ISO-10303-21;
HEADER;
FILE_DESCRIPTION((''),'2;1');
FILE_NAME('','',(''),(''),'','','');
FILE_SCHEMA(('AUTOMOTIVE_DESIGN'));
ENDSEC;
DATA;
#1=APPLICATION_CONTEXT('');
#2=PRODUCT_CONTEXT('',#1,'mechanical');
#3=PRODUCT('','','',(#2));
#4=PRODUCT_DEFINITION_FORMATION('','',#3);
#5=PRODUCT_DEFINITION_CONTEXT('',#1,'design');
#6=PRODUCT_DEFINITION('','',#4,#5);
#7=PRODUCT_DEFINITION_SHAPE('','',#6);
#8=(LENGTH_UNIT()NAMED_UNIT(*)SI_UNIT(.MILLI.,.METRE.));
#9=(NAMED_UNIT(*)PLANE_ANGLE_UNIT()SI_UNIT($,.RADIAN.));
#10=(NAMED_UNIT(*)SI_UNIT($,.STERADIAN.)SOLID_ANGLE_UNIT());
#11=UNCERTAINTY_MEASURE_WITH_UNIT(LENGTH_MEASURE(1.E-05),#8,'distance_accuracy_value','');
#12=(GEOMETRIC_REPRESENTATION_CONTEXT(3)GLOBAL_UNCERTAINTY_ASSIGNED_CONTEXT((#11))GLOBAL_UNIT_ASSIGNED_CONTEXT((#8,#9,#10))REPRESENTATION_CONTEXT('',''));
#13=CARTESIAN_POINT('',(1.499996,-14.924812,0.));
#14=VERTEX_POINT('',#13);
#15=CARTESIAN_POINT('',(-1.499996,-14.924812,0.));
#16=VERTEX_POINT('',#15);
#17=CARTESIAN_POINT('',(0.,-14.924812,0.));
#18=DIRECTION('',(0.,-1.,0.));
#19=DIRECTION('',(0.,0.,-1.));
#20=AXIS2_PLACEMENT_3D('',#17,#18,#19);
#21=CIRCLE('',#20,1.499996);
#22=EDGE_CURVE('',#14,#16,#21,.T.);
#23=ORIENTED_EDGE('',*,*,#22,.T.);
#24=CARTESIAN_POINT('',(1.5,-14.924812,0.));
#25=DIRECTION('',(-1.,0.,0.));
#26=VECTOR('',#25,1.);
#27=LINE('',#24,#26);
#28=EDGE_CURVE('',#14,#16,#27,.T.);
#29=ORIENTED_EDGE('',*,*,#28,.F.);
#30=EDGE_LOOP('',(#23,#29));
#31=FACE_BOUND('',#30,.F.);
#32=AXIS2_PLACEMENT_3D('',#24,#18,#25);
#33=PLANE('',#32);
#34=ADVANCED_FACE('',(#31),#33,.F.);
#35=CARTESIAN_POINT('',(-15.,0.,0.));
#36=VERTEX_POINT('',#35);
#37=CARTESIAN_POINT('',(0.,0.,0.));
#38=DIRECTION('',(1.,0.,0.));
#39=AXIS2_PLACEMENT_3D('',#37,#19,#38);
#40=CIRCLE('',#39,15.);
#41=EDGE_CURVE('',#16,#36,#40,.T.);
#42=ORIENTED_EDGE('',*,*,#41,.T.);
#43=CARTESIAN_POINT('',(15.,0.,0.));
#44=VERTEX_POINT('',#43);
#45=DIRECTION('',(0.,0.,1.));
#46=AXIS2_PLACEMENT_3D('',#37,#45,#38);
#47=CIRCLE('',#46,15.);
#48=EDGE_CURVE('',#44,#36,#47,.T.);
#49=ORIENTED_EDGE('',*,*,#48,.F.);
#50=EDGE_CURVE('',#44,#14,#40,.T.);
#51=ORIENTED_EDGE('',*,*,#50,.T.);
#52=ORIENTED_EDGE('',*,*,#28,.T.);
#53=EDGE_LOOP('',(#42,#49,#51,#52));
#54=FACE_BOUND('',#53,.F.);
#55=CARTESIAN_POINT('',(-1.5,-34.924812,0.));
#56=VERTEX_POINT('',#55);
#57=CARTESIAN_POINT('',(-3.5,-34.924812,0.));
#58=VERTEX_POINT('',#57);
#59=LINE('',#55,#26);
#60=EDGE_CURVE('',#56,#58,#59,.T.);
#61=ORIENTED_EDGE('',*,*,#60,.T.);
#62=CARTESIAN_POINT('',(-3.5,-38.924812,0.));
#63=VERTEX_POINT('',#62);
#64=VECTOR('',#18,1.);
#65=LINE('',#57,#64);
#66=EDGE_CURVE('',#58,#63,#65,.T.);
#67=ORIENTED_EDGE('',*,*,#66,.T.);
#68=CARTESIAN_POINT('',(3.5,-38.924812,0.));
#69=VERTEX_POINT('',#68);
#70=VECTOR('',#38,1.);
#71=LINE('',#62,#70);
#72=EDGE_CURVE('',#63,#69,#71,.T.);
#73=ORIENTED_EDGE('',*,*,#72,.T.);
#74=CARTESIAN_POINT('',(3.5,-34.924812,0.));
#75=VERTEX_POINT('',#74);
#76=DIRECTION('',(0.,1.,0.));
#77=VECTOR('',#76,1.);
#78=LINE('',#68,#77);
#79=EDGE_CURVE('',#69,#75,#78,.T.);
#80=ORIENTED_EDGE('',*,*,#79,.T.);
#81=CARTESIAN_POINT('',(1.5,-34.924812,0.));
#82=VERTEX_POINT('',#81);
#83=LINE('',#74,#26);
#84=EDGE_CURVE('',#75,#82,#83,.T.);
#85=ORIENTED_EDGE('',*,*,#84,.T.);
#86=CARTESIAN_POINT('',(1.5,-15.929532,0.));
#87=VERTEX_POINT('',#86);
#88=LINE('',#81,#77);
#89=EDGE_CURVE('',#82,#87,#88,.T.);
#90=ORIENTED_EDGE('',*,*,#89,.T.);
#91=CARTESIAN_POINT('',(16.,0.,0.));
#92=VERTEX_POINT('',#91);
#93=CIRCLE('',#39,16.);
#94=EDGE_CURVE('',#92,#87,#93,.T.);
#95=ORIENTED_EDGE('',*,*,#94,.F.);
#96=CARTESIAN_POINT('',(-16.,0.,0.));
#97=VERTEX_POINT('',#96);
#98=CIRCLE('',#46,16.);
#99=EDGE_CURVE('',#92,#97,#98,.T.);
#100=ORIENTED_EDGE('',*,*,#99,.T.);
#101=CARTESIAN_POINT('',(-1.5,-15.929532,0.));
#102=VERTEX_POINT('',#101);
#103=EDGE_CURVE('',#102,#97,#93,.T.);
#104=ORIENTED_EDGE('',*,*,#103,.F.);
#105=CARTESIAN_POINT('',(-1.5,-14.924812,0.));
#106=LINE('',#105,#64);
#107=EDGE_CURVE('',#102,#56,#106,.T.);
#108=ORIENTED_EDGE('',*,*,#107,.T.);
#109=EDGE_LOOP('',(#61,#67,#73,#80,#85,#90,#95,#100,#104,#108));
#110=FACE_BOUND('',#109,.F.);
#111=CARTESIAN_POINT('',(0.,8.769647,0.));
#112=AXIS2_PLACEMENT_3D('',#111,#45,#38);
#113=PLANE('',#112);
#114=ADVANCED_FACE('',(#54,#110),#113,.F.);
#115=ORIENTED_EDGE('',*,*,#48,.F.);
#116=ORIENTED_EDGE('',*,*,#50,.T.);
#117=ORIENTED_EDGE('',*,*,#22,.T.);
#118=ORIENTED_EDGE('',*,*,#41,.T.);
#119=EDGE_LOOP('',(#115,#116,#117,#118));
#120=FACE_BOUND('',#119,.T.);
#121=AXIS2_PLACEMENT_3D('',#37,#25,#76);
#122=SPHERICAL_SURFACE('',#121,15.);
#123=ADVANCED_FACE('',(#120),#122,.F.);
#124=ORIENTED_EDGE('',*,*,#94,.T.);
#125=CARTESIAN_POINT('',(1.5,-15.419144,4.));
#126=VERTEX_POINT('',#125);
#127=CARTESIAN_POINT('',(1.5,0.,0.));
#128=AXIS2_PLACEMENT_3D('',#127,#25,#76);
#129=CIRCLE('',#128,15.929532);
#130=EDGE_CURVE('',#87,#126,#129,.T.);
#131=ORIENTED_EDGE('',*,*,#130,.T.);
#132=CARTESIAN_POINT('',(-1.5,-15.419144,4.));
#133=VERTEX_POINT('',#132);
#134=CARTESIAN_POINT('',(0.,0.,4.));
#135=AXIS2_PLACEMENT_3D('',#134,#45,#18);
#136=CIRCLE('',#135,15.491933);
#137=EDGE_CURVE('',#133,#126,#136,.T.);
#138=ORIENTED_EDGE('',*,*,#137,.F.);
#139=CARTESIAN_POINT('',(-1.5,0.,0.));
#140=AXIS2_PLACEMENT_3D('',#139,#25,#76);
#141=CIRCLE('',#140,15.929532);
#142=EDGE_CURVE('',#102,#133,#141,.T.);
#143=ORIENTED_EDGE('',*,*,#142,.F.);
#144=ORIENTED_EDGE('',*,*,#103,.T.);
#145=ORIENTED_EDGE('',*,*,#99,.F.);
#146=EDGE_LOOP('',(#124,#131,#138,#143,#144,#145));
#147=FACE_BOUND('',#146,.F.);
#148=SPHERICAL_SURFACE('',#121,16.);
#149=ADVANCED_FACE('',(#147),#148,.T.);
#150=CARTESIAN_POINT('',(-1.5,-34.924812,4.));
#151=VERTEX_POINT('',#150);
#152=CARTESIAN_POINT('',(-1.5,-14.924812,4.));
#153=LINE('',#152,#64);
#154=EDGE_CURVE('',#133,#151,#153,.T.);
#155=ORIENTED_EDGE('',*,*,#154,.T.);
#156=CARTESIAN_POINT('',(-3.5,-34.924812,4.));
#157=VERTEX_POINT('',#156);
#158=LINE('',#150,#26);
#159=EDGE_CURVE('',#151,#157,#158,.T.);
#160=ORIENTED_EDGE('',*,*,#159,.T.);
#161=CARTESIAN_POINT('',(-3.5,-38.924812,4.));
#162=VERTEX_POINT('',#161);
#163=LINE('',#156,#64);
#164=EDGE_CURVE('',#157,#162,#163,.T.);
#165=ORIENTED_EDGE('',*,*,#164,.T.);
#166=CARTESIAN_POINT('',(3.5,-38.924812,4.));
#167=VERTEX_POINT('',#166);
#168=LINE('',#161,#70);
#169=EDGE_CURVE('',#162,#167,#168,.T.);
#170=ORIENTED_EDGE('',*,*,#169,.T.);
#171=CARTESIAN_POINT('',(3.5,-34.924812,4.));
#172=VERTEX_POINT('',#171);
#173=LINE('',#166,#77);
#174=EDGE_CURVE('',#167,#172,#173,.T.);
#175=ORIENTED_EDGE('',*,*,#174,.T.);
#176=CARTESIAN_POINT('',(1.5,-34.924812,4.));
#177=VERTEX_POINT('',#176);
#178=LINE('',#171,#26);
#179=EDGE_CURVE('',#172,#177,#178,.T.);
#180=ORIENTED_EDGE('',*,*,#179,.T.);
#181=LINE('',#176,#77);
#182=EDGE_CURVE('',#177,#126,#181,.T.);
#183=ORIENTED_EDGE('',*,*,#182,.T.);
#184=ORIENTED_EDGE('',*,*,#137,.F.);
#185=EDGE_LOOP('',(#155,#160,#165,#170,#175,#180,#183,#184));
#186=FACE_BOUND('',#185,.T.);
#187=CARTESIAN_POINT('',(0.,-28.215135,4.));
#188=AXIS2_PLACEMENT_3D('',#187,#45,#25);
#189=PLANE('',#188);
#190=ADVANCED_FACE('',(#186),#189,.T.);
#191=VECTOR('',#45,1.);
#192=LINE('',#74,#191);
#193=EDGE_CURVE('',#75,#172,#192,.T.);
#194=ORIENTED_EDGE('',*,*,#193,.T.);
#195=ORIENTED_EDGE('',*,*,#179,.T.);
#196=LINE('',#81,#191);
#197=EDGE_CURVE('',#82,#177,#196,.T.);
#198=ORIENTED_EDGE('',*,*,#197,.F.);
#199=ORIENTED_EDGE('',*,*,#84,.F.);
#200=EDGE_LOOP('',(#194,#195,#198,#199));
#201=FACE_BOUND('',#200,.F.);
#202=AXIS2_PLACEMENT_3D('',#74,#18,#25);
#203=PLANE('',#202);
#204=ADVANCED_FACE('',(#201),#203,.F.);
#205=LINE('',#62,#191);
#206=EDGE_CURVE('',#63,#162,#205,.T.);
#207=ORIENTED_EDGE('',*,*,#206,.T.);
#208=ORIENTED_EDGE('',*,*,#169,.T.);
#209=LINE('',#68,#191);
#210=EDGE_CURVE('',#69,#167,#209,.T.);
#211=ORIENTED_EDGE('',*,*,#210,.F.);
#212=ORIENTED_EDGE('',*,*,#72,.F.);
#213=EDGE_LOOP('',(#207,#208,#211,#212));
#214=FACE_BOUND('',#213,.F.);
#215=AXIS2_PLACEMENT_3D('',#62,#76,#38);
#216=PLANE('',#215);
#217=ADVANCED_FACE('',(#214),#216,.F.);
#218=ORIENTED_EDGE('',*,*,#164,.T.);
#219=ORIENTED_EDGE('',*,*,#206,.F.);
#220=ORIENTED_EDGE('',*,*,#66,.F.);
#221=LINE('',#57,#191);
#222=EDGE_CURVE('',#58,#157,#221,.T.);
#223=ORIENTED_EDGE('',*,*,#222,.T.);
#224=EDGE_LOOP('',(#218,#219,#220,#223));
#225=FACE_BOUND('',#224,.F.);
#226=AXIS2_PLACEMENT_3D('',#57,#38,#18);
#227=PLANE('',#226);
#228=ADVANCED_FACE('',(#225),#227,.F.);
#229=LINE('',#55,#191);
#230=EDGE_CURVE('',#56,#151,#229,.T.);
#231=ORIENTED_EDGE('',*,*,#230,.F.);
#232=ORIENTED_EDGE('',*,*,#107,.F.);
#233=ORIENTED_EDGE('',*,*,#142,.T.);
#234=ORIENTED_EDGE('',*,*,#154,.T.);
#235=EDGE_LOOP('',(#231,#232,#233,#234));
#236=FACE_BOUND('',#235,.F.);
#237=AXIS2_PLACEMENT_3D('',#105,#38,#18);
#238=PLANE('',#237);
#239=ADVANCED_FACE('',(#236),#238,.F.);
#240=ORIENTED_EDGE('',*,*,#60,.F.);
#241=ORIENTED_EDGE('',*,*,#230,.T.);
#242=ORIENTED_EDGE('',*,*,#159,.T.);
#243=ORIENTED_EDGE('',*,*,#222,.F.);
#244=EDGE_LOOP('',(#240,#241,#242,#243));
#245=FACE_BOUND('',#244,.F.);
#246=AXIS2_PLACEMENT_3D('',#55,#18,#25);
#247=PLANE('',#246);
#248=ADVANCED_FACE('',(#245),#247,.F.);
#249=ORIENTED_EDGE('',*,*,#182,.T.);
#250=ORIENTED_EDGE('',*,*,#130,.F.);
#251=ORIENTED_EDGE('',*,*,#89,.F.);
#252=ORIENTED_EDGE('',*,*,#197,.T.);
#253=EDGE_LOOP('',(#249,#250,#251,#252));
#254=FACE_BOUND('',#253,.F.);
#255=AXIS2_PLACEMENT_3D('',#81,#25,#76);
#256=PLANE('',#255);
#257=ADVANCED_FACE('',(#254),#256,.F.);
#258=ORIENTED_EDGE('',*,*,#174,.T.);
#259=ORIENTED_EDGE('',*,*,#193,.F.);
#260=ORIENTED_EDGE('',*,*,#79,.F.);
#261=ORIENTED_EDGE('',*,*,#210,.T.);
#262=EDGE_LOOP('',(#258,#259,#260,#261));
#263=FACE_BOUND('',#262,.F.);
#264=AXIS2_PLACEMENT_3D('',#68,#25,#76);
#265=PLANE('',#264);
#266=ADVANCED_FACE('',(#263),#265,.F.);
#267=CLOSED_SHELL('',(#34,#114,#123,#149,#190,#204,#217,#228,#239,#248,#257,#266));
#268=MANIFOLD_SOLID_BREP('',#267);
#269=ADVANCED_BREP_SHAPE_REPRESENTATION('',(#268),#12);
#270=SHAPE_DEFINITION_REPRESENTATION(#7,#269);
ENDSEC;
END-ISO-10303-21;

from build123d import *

# Parameters (mm, degrees)
REVOLUTION_ANGLE = 180
PAD_DEPTH        = 4


with BuildPart() as part:
    # Sketch → Revolution (revolve)
    with BuildSketch(Plane.XY):
        with BuildLine():
            ThreePointArc((16, 0), (0, 16), (-16, 0))
            Line((-16, 0), (-15, 0))
            ThreePointArc((15, 0), (0, 15), (-15, 0))
            Line((15, 0), (16, 0))
        make_face()
    revolve(axis=Axis((0, 0, 0), (1, 0, 0)), revolution_arc=REVOLUTION_ANGLE)

    # Sketch001 → Pad (new body)
    with BuildSketch(Plane(origin=(0, 0, 0), x_dir=(1, 0, 0), z_dir=(0, 0, -1))):
        Polygon((-1.5, 14.924812), (-1.5, 34.924812), (-3.5, 34.924812), (-3.5, 38.924812), (3.5, 38.924812), (3.5, 34.924812), (1.5, 34.924812), (1.5, 14.924812), align=None)
    extrude(amount=-PAD_DEPTH)


solid = part.part
